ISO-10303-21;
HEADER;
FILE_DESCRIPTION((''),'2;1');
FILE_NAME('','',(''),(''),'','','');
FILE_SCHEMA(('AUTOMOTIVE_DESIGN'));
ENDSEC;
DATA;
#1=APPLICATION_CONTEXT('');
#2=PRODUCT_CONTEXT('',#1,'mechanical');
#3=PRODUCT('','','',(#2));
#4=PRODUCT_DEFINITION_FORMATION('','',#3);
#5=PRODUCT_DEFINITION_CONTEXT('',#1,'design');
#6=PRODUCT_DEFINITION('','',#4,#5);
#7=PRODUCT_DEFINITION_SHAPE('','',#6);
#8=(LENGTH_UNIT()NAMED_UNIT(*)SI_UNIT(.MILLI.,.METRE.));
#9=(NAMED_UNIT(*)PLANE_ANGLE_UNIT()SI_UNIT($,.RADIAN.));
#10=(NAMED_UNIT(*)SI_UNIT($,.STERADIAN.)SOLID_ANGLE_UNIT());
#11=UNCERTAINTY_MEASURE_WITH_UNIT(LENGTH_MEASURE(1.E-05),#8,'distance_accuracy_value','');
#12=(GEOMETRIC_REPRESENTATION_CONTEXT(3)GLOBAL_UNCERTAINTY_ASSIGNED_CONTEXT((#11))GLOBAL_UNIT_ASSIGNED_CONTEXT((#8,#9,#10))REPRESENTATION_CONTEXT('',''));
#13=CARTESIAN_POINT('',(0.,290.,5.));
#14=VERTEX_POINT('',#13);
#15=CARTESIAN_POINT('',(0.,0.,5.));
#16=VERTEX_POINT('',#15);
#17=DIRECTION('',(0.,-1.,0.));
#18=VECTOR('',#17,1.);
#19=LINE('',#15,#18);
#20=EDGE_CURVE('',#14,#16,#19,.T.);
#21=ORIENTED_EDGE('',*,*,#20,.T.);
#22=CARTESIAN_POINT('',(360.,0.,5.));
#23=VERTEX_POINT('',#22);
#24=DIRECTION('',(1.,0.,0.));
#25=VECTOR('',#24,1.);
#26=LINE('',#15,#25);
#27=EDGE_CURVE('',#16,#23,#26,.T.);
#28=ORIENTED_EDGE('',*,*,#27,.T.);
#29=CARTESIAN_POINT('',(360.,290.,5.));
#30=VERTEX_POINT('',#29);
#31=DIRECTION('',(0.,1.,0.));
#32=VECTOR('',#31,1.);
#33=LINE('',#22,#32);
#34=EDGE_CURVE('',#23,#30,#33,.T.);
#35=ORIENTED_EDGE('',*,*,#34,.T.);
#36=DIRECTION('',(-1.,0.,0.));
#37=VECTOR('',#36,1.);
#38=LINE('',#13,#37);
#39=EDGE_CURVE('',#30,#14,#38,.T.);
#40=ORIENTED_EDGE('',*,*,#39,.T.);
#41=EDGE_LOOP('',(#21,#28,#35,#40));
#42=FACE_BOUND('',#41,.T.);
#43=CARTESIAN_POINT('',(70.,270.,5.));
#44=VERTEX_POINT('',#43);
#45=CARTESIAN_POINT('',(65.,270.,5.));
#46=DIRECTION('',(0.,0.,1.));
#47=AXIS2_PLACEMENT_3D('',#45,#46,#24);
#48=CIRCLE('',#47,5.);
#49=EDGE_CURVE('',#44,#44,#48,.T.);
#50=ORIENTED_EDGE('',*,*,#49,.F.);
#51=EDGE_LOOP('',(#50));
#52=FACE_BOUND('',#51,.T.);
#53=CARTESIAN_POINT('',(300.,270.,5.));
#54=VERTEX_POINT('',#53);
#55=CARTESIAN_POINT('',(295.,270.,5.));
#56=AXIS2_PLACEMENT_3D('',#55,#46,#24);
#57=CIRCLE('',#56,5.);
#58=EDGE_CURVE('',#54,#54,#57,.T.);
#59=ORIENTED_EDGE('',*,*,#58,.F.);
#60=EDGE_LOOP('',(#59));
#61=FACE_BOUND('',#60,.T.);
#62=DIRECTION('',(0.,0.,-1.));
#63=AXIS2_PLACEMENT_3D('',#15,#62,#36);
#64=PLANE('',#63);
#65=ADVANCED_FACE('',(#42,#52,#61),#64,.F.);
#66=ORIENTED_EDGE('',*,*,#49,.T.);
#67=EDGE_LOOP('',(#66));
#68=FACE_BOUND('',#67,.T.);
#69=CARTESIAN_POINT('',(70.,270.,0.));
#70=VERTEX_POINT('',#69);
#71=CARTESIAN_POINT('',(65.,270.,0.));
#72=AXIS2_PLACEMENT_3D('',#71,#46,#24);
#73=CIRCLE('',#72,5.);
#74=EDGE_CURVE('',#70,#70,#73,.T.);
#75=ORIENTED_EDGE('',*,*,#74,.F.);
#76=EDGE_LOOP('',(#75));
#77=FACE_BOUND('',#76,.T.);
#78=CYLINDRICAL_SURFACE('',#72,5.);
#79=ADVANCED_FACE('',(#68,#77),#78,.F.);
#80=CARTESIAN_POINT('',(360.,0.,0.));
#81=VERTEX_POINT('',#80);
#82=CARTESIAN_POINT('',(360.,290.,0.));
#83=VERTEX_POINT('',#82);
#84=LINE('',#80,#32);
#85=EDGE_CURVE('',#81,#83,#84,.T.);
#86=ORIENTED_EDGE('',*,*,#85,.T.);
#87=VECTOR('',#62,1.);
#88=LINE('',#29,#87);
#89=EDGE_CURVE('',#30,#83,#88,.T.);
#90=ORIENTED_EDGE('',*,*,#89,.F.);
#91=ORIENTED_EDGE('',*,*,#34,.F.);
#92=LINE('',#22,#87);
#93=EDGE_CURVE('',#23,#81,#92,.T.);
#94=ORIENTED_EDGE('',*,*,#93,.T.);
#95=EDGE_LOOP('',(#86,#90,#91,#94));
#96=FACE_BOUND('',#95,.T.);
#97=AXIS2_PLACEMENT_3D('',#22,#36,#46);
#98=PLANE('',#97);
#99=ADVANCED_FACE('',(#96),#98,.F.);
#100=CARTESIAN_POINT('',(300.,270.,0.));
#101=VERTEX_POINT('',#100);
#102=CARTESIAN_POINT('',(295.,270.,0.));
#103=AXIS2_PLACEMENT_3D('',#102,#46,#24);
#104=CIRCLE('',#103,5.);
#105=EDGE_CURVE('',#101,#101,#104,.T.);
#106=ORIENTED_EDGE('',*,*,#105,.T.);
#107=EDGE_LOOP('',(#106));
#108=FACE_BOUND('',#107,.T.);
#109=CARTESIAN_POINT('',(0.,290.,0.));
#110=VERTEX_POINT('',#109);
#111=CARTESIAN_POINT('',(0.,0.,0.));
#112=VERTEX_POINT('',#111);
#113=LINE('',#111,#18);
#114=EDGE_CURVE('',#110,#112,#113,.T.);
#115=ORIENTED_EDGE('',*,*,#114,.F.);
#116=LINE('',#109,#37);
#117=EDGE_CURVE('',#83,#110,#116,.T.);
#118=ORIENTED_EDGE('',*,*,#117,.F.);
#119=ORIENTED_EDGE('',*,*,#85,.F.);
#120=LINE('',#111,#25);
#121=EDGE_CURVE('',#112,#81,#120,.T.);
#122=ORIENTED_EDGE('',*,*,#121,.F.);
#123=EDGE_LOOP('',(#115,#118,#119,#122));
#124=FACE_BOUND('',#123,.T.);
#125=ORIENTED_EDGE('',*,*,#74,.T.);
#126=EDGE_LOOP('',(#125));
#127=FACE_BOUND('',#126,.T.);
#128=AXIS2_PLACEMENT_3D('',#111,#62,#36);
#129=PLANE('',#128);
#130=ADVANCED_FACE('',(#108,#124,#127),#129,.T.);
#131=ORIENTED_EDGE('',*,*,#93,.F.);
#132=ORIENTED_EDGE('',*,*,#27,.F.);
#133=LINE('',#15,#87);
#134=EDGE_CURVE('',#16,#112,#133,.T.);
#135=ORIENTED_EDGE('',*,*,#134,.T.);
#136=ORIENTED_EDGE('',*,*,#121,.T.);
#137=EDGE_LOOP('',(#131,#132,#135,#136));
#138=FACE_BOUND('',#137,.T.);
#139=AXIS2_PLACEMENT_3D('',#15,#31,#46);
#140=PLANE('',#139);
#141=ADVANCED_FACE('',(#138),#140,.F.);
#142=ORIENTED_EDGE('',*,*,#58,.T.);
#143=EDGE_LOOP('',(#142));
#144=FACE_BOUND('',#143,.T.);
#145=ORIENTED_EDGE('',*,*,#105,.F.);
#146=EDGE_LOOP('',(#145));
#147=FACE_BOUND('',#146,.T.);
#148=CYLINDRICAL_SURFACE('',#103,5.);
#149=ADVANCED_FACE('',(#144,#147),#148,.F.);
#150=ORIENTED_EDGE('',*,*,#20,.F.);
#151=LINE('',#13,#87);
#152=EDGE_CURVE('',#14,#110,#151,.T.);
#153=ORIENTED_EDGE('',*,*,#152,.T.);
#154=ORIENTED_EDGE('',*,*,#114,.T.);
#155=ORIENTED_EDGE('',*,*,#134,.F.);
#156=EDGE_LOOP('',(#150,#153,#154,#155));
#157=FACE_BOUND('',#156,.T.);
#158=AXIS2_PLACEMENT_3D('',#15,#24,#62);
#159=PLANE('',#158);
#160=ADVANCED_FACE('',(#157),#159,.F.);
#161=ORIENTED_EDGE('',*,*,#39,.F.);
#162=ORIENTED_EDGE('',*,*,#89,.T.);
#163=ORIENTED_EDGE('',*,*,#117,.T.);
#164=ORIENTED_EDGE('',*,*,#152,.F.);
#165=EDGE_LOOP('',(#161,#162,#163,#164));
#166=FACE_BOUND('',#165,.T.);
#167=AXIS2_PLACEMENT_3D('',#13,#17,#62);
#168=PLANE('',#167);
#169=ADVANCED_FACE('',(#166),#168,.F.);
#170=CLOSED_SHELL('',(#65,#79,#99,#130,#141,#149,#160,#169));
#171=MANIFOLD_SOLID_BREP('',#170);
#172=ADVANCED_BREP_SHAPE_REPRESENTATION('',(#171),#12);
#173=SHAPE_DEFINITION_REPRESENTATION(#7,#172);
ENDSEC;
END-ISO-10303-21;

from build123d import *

# Parameters (mm, degrees)
ESBO_O1_W                = 360
ESBO_O1_H                = 290
RESSALTO_EXTRUS_O1_DEPTH = 5
ESBO_O2_R                = 5
CORTE_EXTRUS_O1_DEPTH    = 463.304012529


with BuildPart() as part:
    # Esboço1 → Ressalto-extrusão1 (new body)
    with BuildSketch(Plane.XY):
        with Locations((180, 145)):
            Rectangle(ESBO_O1_W, ESBO_O1_H)
    extrude(amount=RESSALTO_EXTRUS_O1_DEPTH)

    # Esboço2 → Corte-extrusão1 (cut, through all)
    with BuildSketch(Plane.XY.offset(5)):
        with Locations((65, 270)):
            Circle(ESBO_O2_R)
        with Locations((295, 270)):
            Circle(ESBO_O2_R)
    extrude(amount=-CORTE_EXTRUS_O1_DEPTH, mode=Mode.SUBTRACT)


solid = part.part
